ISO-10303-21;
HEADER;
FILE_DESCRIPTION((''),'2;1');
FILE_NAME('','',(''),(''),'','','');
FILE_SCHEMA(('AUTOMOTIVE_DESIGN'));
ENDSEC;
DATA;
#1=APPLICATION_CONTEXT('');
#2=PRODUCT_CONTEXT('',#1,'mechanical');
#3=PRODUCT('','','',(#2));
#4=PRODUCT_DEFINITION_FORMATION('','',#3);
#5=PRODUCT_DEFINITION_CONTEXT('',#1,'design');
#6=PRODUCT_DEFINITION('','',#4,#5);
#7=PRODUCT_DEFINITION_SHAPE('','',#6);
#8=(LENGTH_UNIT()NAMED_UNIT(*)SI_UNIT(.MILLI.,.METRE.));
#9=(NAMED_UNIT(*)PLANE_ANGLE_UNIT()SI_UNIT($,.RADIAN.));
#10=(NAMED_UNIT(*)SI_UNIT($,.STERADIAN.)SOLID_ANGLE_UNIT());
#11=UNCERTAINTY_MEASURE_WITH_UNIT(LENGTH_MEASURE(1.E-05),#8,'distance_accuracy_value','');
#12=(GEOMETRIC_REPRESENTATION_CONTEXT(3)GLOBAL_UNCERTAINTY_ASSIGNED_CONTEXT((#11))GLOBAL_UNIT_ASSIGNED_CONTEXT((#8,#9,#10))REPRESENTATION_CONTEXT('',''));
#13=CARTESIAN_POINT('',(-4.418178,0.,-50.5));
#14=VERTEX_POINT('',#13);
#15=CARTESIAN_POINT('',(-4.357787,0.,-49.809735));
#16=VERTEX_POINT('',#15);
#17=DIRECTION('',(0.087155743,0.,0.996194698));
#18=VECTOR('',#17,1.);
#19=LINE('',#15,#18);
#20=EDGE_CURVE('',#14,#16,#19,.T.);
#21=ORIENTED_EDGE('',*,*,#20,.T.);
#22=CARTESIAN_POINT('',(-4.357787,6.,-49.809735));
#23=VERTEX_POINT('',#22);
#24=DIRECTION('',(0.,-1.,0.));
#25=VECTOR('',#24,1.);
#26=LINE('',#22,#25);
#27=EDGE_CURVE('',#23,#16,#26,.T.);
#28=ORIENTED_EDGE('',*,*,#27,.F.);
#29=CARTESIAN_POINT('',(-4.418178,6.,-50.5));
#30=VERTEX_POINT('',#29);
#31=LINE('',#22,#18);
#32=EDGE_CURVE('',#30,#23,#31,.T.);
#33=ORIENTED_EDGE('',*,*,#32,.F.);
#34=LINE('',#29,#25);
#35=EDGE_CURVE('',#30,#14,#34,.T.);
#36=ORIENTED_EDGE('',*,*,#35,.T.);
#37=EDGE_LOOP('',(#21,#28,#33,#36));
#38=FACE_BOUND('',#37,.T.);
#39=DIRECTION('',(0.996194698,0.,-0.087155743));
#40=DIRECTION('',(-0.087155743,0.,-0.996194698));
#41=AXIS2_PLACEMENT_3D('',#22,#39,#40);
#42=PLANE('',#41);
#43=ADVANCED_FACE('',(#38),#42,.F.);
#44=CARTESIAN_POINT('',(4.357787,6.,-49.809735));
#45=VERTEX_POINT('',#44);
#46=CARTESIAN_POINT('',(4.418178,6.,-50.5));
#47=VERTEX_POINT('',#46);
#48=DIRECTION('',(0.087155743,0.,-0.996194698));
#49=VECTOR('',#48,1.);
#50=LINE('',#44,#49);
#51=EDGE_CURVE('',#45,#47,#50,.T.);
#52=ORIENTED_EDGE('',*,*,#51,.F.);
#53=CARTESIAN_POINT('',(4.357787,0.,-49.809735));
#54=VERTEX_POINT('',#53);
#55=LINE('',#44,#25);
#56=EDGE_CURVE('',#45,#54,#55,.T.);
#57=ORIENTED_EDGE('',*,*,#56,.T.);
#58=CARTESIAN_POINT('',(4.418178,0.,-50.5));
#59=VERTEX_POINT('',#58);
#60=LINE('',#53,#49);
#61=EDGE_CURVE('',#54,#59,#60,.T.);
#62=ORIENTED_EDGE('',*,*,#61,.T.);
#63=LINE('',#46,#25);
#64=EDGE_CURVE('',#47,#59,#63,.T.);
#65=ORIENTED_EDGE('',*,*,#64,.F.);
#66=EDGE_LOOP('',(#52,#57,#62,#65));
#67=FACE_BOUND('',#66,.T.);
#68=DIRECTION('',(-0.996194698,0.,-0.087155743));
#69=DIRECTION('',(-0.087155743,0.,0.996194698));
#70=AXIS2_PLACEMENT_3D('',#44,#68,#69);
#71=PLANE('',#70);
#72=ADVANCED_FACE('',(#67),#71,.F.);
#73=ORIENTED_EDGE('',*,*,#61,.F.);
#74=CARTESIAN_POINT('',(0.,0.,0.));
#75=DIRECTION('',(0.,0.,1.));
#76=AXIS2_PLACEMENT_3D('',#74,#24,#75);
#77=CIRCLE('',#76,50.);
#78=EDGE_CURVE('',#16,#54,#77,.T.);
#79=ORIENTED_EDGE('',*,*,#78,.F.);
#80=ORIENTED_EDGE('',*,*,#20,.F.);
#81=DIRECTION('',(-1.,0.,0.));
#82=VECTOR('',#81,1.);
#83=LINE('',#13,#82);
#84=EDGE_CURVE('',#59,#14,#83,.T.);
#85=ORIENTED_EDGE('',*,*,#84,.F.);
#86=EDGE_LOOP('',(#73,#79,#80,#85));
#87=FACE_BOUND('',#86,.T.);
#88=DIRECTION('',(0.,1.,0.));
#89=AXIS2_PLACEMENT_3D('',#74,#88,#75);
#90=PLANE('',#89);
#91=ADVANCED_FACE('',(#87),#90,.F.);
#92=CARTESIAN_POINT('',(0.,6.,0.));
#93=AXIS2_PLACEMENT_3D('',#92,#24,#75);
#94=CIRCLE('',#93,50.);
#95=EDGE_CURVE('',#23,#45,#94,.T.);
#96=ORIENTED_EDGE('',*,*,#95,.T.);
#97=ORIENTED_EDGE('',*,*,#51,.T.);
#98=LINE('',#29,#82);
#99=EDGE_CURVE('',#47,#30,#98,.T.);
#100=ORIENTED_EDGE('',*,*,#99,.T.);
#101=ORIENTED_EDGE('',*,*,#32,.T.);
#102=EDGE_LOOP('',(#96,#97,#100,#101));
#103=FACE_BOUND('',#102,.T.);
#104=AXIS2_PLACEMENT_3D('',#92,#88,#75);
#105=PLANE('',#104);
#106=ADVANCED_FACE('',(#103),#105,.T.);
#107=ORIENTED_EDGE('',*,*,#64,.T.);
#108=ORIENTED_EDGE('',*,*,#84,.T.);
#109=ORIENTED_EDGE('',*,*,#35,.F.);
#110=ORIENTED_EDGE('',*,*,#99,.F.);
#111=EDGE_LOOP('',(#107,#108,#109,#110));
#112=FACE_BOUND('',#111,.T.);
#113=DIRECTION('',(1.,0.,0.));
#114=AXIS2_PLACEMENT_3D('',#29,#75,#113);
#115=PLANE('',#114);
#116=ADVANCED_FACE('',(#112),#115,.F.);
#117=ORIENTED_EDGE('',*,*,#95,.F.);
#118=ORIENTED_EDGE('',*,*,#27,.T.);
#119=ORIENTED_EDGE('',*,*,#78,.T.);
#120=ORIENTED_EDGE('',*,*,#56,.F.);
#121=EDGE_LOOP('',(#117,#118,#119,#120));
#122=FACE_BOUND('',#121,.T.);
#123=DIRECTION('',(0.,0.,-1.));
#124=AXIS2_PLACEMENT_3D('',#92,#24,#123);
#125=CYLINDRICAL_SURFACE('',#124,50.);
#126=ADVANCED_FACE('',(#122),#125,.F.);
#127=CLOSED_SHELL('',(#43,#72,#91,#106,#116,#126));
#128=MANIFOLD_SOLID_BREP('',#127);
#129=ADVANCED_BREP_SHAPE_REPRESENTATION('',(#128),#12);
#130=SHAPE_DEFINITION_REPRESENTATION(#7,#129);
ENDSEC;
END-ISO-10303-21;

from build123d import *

# Parameters (mm, degrees)
BOSS_EXTRUDE1_DEPTH = 6


with BuildPart() as part:
    # Sketch1 → Boss-Extrude1 (new body)
    with BuildSketch(Plane(origin=(0, 0, 0), x_dir=(1, 0, 0), z_dir=(0, 1, 0))):
        with BuildLine():
            Line((-4.418177508, 50.5), (4.418177508, 50.5))
            Line((4.418177508, 50.5), (4.357787137, 49.809734905))
            ThreePointArc((4.357787137, 49.809734905), (0, 50), (-4.357787137, 49.809734905))
            Line((-4.357787137, 49.809734905), (-4.418177508, 50.5))
        make_face()
    extrude(amount=BOSS_EXTRUDE1_DEPTH)


solid = part.part
